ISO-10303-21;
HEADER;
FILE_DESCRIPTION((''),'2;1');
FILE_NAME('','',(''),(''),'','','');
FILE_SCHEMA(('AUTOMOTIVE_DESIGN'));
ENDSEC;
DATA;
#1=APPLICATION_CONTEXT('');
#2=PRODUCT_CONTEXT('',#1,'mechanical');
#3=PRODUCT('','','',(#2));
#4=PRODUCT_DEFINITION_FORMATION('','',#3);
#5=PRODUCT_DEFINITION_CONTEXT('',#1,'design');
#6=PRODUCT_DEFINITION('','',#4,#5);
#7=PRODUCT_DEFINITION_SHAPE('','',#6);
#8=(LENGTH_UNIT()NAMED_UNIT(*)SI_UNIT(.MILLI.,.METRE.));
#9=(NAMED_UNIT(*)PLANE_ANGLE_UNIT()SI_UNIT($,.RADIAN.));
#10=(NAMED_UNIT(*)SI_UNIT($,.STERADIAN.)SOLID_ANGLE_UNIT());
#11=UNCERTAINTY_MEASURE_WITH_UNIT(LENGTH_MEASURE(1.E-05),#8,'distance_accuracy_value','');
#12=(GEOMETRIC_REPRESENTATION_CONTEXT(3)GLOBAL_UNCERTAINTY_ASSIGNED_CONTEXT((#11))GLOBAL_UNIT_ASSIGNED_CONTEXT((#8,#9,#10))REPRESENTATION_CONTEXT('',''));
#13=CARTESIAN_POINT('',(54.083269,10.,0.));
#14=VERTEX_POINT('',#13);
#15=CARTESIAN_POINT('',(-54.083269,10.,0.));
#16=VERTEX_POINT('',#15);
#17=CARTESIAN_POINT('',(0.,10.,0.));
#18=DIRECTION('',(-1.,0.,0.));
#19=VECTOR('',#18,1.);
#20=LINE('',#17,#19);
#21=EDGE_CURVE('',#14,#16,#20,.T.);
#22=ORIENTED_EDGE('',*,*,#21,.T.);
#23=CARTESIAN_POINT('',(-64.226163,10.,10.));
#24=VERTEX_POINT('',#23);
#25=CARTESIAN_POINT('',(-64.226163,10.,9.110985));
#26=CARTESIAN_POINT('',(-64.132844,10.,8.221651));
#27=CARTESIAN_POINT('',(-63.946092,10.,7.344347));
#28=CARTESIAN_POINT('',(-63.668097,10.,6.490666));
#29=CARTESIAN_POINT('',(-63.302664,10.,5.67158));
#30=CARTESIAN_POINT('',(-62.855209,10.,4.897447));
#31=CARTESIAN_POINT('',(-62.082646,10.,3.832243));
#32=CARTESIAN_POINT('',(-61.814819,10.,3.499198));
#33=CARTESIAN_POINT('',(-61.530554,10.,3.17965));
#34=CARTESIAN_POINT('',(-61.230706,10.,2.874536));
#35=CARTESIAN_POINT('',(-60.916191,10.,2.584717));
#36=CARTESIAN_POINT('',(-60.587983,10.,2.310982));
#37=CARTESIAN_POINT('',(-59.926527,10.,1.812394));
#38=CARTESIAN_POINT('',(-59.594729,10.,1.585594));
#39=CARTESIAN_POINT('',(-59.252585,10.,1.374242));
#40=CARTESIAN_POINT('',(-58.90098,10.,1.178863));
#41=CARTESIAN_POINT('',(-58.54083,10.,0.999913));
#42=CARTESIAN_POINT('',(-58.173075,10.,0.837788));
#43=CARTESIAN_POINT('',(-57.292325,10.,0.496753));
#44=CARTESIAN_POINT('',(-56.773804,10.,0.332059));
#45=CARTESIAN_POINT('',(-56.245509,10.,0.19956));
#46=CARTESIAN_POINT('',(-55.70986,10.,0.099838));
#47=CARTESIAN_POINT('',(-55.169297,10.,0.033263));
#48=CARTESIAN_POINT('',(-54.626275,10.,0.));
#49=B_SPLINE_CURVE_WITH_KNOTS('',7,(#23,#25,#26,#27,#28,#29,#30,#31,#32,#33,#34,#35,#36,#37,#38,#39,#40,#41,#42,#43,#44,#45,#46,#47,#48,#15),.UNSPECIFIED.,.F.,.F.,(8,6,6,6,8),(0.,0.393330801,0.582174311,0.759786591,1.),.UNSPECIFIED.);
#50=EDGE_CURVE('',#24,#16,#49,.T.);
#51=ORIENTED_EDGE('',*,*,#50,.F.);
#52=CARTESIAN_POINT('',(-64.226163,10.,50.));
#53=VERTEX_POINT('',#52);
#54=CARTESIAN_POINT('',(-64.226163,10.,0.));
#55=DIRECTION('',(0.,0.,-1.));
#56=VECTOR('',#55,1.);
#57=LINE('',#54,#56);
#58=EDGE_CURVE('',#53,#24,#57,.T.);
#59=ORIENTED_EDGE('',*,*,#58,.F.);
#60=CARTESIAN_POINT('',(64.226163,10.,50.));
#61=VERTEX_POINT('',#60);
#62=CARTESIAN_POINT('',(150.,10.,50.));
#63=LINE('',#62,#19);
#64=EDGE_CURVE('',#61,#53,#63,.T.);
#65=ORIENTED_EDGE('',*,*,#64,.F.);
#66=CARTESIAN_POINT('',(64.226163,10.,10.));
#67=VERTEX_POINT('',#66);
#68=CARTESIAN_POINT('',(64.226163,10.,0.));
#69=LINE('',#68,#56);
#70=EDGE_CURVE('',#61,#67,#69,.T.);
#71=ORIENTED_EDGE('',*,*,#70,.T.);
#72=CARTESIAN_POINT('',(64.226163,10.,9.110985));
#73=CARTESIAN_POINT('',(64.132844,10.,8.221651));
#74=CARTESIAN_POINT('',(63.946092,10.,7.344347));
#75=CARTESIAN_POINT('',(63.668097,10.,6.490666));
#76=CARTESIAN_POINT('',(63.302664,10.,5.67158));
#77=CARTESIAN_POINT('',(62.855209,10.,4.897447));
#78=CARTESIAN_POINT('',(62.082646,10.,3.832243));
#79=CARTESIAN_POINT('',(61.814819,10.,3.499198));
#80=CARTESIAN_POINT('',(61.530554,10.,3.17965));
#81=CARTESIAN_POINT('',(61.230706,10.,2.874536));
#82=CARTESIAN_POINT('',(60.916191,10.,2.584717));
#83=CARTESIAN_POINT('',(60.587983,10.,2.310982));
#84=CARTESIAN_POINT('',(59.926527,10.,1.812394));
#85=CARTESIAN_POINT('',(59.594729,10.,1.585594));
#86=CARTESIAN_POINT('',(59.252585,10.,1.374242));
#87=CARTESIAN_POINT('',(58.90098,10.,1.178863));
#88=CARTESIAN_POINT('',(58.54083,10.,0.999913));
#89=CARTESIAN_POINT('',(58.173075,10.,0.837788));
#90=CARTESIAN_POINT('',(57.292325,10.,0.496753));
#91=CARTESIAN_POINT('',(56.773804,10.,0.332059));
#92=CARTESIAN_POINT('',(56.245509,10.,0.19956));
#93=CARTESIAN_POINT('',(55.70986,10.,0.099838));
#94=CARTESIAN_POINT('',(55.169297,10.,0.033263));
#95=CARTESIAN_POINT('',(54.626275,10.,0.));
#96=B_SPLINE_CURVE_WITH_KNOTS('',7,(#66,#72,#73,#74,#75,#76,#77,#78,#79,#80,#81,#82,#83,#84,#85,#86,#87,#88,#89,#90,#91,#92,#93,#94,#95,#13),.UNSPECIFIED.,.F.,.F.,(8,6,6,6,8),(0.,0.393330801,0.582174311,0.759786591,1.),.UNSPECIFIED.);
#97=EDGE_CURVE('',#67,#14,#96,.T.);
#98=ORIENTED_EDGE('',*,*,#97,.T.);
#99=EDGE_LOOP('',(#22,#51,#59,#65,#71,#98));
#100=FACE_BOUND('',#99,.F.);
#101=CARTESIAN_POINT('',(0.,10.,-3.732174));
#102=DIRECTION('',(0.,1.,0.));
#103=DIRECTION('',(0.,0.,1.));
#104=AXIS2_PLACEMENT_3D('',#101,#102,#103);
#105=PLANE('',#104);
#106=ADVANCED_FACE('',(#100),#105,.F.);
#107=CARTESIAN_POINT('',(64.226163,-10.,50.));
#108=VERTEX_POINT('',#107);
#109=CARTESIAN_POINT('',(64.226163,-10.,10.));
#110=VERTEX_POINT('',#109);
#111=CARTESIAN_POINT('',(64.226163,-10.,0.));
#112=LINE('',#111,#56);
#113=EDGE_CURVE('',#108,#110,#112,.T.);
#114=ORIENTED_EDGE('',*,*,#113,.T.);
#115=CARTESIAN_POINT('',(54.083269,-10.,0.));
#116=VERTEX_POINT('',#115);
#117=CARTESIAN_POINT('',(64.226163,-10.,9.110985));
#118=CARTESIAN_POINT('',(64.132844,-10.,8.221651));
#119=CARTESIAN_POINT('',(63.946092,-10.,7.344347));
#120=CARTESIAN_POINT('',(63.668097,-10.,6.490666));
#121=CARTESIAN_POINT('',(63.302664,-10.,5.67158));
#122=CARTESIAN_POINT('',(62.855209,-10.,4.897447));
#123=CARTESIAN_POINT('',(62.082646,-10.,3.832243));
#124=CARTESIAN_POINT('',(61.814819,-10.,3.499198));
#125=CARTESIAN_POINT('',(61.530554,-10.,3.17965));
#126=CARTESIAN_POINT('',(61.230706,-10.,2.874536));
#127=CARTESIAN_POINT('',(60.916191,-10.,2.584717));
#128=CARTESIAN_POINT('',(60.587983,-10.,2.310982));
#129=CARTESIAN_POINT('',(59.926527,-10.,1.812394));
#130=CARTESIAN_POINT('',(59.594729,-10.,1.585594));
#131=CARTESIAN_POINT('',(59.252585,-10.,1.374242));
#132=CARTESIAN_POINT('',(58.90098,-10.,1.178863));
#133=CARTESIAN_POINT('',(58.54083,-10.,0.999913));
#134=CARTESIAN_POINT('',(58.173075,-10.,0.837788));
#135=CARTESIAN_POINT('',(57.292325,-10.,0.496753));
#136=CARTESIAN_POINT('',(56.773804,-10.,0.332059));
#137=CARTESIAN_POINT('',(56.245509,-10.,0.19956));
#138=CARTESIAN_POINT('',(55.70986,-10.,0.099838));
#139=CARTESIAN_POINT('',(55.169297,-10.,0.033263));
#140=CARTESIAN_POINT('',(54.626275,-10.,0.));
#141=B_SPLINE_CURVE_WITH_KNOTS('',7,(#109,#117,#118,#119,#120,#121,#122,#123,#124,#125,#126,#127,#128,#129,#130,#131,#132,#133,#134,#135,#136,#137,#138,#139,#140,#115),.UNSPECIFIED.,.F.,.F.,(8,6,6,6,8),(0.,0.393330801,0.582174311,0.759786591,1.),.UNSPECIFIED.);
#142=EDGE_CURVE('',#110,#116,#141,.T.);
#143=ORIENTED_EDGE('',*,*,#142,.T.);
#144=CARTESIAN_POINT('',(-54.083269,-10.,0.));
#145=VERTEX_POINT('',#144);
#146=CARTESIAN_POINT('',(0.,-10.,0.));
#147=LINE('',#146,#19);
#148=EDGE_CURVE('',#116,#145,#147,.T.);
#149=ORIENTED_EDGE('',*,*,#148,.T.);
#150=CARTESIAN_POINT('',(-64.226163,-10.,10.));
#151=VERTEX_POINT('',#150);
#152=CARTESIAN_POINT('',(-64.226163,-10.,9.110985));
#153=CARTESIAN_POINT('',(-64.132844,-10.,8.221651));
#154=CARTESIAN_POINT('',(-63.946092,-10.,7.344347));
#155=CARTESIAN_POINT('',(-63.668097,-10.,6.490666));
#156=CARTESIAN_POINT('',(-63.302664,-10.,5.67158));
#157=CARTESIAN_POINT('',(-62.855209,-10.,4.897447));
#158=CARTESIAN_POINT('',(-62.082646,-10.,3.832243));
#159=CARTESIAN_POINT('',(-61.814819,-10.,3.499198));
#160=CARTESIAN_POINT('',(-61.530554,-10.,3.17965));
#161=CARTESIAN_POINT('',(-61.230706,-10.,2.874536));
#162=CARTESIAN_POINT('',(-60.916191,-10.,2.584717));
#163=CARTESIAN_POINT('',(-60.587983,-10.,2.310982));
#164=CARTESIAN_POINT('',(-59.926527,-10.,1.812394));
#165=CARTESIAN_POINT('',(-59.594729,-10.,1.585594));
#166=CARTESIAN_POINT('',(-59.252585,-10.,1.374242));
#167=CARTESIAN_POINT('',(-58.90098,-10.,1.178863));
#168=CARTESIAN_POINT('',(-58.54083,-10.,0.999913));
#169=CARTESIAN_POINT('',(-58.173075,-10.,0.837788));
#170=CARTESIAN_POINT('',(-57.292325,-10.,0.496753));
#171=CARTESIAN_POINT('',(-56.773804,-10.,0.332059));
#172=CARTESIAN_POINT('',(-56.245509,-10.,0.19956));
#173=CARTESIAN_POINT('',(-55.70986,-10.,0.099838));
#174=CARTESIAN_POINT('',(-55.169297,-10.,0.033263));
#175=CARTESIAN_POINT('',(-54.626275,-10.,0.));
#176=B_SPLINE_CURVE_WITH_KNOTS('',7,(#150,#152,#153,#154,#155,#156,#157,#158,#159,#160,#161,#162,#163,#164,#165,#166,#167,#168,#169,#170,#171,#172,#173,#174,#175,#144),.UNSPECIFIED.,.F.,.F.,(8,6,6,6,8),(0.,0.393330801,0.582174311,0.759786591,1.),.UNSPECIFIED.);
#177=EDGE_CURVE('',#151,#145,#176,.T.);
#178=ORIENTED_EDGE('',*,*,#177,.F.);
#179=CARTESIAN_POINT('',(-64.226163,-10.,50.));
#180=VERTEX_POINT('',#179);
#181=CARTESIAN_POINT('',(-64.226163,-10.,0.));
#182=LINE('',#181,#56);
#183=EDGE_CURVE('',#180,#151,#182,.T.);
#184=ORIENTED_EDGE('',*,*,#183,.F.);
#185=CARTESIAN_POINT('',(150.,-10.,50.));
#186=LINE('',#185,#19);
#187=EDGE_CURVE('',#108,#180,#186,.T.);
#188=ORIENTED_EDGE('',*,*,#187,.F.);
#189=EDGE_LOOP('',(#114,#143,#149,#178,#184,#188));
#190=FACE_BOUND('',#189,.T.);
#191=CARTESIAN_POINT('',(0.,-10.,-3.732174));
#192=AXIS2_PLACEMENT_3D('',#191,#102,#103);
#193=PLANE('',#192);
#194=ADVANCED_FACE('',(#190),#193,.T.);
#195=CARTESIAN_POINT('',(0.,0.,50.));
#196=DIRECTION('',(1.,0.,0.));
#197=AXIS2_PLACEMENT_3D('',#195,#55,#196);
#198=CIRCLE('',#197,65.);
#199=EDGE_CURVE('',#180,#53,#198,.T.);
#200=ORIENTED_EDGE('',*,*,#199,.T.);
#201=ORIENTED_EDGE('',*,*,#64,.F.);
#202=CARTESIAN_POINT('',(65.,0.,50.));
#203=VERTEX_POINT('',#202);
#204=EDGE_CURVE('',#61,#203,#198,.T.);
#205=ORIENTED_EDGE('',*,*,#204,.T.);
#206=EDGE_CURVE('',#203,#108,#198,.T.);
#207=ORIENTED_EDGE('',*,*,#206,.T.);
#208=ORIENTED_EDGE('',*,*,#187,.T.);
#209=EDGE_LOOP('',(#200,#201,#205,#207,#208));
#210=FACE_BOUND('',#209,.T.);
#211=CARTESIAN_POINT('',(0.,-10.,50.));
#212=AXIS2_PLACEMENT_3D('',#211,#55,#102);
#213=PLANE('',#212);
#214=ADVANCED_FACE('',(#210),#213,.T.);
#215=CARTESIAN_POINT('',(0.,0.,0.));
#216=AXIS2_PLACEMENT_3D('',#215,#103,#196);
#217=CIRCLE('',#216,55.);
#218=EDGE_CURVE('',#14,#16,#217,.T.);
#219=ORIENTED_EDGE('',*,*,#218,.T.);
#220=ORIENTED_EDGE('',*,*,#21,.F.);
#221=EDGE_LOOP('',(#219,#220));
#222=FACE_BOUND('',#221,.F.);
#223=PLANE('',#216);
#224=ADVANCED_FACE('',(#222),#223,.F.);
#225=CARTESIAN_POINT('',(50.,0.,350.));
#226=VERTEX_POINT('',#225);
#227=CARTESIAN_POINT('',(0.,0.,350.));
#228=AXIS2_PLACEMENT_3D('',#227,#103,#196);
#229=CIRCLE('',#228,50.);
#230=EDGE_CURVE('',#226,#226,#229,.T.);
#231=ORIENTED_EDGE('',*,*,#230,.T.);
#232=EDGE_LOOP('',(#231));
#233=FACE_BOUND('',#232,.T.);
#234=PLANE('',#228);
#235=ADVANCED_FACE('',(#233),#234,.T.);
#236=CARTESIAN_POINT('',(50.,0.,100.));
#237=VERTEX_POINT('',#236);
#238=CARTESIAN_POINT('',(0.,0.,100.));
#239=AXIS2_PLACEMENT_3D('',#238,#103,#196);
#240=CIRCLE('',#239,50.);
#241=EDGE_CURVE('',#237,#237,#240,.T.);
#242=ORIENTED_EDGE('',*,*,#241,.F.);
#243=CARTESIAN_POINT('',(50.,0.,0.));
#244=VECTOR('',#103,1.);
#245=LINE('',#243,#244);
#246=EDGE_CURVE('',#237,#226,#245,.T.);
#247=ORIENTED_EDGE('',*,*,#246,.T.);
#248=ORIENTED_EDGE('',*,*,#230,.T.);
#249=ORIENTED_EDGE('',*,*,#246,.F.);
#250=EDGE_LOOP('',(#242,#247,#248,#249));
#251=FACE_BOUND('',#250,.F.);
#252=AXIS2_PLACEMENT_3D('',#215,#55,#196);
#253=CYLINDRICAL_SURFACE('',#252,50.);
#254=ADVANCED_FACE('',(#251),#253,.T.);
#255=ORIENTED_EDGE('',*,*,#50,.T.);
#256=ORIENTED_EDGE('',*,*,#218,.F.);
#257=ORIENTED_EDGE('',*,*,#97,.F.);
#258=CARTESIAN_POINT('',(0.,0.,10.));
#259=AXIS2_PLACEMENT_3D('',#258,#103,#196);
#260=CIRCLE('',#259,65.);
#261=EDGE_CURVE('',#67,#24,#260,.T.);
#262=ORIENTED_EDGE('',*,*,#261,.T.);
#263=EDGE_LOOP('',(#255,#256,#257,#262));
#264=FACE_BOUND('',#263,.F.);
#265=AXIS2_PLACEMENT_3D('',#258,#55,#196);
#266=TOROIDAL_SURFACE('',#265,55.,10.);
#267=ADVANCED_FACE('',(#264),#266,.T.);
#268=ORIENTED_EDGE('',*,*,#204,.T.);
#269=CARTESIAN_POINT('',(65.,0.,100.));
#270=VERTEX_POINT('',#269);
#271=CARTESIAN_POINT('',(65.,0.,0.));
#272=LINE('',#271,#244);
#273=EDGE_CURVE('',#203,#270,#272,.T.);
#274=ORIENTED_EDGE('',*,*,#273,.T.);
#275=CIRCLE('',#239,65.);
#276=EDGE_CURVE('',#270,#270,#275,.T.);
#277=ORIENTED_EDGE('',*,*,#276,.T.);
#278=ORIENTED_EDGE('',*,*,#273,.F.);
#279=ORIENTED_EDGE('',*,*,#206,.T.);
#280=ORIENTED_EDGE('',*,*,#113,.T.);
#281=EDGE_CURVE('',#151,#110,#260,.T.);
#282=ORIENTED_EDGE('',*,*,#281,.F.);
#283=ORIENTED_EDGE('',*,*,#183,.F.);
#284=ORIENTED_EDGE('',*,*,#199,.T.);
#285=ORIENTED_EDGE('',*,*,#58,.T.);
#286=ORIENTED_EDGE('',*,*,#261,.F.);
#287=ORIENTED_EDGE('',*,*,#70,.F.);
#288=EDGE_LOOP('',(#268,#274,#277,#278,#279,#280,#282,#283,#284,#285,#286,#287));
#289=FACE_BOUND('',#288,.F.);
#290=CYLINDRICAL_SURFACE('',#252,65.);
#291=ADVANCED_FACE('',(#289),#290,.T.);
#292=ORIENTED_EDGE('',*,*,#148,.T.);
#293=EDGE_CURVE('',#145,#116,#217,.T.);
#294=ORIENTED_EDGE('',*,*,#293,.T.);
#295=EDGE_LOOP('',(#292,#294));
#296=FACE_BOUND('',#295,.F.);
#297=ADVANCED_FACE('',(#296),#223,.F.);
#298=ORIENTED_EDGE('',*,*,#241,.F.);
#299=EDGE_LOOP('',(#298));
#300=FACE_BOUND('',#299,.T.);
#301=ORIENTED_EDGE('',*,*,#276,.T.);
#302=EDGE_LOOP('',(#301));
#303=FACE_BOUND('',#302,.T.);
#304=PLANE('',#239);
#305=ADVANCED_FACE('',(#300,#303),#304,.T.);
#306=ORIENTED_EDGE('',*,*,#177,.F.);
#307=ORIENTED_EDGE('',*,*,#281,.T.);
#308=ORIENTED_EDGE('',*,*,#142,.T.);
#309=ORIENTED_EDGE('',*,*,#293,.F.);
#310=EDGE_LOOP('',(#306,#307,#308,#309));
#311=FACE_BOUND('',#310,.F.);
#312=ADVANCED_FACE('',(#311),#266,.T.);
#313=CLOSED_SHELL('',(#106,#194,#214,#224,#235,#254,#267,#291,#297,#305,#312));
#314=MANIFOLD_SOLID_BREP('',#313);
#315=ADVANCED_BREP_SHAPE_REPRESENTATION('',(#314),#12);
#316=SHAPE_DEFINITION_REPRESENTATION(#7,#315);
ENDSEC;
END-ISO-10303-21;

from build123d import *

# Parameters (mm, degrees)
F0_R     = 50
F1_DEPTH = 350
F0_R_2   = 65
F2_DEPTH = 100
F3_R     = 10
F4_W     = 20
F4_H     = 53.732174
F5_DEPTH = 150


with BuildPart() as f1:
    # F0 (on Top) → F1 (new body)
    with BuildSketch(Plane.XY):
        Circle(F0_R)
    extrude(amount=F1_DEPTH)

    # F0 (on Top) → F2 (join)
    with BuildSketch(Plane.XY):
        Circle(F0_R_2)
        Circle(F0_R, mode=Mode.SUBTRACT)
    extrude(amount=F2_DEPTH)

    # F3
    f3_edges = [f1.edges().sort_by_distance(p)[0] for p in [
        (-65, 0, 0),
    ]]
    fillet(f3_edges, radius=F3_R)

    # F4 (on Right) → F5 (cut, symmetric)
    with BuildSketch(Plane.YZ):
        with Locations((0, 23.133913)):
            Rectangle(F4_W, F4_H)
    extrude(amount=F5_DEPTH, both=True, mode=Mode.SUBTRACT)


solid = f1.part
